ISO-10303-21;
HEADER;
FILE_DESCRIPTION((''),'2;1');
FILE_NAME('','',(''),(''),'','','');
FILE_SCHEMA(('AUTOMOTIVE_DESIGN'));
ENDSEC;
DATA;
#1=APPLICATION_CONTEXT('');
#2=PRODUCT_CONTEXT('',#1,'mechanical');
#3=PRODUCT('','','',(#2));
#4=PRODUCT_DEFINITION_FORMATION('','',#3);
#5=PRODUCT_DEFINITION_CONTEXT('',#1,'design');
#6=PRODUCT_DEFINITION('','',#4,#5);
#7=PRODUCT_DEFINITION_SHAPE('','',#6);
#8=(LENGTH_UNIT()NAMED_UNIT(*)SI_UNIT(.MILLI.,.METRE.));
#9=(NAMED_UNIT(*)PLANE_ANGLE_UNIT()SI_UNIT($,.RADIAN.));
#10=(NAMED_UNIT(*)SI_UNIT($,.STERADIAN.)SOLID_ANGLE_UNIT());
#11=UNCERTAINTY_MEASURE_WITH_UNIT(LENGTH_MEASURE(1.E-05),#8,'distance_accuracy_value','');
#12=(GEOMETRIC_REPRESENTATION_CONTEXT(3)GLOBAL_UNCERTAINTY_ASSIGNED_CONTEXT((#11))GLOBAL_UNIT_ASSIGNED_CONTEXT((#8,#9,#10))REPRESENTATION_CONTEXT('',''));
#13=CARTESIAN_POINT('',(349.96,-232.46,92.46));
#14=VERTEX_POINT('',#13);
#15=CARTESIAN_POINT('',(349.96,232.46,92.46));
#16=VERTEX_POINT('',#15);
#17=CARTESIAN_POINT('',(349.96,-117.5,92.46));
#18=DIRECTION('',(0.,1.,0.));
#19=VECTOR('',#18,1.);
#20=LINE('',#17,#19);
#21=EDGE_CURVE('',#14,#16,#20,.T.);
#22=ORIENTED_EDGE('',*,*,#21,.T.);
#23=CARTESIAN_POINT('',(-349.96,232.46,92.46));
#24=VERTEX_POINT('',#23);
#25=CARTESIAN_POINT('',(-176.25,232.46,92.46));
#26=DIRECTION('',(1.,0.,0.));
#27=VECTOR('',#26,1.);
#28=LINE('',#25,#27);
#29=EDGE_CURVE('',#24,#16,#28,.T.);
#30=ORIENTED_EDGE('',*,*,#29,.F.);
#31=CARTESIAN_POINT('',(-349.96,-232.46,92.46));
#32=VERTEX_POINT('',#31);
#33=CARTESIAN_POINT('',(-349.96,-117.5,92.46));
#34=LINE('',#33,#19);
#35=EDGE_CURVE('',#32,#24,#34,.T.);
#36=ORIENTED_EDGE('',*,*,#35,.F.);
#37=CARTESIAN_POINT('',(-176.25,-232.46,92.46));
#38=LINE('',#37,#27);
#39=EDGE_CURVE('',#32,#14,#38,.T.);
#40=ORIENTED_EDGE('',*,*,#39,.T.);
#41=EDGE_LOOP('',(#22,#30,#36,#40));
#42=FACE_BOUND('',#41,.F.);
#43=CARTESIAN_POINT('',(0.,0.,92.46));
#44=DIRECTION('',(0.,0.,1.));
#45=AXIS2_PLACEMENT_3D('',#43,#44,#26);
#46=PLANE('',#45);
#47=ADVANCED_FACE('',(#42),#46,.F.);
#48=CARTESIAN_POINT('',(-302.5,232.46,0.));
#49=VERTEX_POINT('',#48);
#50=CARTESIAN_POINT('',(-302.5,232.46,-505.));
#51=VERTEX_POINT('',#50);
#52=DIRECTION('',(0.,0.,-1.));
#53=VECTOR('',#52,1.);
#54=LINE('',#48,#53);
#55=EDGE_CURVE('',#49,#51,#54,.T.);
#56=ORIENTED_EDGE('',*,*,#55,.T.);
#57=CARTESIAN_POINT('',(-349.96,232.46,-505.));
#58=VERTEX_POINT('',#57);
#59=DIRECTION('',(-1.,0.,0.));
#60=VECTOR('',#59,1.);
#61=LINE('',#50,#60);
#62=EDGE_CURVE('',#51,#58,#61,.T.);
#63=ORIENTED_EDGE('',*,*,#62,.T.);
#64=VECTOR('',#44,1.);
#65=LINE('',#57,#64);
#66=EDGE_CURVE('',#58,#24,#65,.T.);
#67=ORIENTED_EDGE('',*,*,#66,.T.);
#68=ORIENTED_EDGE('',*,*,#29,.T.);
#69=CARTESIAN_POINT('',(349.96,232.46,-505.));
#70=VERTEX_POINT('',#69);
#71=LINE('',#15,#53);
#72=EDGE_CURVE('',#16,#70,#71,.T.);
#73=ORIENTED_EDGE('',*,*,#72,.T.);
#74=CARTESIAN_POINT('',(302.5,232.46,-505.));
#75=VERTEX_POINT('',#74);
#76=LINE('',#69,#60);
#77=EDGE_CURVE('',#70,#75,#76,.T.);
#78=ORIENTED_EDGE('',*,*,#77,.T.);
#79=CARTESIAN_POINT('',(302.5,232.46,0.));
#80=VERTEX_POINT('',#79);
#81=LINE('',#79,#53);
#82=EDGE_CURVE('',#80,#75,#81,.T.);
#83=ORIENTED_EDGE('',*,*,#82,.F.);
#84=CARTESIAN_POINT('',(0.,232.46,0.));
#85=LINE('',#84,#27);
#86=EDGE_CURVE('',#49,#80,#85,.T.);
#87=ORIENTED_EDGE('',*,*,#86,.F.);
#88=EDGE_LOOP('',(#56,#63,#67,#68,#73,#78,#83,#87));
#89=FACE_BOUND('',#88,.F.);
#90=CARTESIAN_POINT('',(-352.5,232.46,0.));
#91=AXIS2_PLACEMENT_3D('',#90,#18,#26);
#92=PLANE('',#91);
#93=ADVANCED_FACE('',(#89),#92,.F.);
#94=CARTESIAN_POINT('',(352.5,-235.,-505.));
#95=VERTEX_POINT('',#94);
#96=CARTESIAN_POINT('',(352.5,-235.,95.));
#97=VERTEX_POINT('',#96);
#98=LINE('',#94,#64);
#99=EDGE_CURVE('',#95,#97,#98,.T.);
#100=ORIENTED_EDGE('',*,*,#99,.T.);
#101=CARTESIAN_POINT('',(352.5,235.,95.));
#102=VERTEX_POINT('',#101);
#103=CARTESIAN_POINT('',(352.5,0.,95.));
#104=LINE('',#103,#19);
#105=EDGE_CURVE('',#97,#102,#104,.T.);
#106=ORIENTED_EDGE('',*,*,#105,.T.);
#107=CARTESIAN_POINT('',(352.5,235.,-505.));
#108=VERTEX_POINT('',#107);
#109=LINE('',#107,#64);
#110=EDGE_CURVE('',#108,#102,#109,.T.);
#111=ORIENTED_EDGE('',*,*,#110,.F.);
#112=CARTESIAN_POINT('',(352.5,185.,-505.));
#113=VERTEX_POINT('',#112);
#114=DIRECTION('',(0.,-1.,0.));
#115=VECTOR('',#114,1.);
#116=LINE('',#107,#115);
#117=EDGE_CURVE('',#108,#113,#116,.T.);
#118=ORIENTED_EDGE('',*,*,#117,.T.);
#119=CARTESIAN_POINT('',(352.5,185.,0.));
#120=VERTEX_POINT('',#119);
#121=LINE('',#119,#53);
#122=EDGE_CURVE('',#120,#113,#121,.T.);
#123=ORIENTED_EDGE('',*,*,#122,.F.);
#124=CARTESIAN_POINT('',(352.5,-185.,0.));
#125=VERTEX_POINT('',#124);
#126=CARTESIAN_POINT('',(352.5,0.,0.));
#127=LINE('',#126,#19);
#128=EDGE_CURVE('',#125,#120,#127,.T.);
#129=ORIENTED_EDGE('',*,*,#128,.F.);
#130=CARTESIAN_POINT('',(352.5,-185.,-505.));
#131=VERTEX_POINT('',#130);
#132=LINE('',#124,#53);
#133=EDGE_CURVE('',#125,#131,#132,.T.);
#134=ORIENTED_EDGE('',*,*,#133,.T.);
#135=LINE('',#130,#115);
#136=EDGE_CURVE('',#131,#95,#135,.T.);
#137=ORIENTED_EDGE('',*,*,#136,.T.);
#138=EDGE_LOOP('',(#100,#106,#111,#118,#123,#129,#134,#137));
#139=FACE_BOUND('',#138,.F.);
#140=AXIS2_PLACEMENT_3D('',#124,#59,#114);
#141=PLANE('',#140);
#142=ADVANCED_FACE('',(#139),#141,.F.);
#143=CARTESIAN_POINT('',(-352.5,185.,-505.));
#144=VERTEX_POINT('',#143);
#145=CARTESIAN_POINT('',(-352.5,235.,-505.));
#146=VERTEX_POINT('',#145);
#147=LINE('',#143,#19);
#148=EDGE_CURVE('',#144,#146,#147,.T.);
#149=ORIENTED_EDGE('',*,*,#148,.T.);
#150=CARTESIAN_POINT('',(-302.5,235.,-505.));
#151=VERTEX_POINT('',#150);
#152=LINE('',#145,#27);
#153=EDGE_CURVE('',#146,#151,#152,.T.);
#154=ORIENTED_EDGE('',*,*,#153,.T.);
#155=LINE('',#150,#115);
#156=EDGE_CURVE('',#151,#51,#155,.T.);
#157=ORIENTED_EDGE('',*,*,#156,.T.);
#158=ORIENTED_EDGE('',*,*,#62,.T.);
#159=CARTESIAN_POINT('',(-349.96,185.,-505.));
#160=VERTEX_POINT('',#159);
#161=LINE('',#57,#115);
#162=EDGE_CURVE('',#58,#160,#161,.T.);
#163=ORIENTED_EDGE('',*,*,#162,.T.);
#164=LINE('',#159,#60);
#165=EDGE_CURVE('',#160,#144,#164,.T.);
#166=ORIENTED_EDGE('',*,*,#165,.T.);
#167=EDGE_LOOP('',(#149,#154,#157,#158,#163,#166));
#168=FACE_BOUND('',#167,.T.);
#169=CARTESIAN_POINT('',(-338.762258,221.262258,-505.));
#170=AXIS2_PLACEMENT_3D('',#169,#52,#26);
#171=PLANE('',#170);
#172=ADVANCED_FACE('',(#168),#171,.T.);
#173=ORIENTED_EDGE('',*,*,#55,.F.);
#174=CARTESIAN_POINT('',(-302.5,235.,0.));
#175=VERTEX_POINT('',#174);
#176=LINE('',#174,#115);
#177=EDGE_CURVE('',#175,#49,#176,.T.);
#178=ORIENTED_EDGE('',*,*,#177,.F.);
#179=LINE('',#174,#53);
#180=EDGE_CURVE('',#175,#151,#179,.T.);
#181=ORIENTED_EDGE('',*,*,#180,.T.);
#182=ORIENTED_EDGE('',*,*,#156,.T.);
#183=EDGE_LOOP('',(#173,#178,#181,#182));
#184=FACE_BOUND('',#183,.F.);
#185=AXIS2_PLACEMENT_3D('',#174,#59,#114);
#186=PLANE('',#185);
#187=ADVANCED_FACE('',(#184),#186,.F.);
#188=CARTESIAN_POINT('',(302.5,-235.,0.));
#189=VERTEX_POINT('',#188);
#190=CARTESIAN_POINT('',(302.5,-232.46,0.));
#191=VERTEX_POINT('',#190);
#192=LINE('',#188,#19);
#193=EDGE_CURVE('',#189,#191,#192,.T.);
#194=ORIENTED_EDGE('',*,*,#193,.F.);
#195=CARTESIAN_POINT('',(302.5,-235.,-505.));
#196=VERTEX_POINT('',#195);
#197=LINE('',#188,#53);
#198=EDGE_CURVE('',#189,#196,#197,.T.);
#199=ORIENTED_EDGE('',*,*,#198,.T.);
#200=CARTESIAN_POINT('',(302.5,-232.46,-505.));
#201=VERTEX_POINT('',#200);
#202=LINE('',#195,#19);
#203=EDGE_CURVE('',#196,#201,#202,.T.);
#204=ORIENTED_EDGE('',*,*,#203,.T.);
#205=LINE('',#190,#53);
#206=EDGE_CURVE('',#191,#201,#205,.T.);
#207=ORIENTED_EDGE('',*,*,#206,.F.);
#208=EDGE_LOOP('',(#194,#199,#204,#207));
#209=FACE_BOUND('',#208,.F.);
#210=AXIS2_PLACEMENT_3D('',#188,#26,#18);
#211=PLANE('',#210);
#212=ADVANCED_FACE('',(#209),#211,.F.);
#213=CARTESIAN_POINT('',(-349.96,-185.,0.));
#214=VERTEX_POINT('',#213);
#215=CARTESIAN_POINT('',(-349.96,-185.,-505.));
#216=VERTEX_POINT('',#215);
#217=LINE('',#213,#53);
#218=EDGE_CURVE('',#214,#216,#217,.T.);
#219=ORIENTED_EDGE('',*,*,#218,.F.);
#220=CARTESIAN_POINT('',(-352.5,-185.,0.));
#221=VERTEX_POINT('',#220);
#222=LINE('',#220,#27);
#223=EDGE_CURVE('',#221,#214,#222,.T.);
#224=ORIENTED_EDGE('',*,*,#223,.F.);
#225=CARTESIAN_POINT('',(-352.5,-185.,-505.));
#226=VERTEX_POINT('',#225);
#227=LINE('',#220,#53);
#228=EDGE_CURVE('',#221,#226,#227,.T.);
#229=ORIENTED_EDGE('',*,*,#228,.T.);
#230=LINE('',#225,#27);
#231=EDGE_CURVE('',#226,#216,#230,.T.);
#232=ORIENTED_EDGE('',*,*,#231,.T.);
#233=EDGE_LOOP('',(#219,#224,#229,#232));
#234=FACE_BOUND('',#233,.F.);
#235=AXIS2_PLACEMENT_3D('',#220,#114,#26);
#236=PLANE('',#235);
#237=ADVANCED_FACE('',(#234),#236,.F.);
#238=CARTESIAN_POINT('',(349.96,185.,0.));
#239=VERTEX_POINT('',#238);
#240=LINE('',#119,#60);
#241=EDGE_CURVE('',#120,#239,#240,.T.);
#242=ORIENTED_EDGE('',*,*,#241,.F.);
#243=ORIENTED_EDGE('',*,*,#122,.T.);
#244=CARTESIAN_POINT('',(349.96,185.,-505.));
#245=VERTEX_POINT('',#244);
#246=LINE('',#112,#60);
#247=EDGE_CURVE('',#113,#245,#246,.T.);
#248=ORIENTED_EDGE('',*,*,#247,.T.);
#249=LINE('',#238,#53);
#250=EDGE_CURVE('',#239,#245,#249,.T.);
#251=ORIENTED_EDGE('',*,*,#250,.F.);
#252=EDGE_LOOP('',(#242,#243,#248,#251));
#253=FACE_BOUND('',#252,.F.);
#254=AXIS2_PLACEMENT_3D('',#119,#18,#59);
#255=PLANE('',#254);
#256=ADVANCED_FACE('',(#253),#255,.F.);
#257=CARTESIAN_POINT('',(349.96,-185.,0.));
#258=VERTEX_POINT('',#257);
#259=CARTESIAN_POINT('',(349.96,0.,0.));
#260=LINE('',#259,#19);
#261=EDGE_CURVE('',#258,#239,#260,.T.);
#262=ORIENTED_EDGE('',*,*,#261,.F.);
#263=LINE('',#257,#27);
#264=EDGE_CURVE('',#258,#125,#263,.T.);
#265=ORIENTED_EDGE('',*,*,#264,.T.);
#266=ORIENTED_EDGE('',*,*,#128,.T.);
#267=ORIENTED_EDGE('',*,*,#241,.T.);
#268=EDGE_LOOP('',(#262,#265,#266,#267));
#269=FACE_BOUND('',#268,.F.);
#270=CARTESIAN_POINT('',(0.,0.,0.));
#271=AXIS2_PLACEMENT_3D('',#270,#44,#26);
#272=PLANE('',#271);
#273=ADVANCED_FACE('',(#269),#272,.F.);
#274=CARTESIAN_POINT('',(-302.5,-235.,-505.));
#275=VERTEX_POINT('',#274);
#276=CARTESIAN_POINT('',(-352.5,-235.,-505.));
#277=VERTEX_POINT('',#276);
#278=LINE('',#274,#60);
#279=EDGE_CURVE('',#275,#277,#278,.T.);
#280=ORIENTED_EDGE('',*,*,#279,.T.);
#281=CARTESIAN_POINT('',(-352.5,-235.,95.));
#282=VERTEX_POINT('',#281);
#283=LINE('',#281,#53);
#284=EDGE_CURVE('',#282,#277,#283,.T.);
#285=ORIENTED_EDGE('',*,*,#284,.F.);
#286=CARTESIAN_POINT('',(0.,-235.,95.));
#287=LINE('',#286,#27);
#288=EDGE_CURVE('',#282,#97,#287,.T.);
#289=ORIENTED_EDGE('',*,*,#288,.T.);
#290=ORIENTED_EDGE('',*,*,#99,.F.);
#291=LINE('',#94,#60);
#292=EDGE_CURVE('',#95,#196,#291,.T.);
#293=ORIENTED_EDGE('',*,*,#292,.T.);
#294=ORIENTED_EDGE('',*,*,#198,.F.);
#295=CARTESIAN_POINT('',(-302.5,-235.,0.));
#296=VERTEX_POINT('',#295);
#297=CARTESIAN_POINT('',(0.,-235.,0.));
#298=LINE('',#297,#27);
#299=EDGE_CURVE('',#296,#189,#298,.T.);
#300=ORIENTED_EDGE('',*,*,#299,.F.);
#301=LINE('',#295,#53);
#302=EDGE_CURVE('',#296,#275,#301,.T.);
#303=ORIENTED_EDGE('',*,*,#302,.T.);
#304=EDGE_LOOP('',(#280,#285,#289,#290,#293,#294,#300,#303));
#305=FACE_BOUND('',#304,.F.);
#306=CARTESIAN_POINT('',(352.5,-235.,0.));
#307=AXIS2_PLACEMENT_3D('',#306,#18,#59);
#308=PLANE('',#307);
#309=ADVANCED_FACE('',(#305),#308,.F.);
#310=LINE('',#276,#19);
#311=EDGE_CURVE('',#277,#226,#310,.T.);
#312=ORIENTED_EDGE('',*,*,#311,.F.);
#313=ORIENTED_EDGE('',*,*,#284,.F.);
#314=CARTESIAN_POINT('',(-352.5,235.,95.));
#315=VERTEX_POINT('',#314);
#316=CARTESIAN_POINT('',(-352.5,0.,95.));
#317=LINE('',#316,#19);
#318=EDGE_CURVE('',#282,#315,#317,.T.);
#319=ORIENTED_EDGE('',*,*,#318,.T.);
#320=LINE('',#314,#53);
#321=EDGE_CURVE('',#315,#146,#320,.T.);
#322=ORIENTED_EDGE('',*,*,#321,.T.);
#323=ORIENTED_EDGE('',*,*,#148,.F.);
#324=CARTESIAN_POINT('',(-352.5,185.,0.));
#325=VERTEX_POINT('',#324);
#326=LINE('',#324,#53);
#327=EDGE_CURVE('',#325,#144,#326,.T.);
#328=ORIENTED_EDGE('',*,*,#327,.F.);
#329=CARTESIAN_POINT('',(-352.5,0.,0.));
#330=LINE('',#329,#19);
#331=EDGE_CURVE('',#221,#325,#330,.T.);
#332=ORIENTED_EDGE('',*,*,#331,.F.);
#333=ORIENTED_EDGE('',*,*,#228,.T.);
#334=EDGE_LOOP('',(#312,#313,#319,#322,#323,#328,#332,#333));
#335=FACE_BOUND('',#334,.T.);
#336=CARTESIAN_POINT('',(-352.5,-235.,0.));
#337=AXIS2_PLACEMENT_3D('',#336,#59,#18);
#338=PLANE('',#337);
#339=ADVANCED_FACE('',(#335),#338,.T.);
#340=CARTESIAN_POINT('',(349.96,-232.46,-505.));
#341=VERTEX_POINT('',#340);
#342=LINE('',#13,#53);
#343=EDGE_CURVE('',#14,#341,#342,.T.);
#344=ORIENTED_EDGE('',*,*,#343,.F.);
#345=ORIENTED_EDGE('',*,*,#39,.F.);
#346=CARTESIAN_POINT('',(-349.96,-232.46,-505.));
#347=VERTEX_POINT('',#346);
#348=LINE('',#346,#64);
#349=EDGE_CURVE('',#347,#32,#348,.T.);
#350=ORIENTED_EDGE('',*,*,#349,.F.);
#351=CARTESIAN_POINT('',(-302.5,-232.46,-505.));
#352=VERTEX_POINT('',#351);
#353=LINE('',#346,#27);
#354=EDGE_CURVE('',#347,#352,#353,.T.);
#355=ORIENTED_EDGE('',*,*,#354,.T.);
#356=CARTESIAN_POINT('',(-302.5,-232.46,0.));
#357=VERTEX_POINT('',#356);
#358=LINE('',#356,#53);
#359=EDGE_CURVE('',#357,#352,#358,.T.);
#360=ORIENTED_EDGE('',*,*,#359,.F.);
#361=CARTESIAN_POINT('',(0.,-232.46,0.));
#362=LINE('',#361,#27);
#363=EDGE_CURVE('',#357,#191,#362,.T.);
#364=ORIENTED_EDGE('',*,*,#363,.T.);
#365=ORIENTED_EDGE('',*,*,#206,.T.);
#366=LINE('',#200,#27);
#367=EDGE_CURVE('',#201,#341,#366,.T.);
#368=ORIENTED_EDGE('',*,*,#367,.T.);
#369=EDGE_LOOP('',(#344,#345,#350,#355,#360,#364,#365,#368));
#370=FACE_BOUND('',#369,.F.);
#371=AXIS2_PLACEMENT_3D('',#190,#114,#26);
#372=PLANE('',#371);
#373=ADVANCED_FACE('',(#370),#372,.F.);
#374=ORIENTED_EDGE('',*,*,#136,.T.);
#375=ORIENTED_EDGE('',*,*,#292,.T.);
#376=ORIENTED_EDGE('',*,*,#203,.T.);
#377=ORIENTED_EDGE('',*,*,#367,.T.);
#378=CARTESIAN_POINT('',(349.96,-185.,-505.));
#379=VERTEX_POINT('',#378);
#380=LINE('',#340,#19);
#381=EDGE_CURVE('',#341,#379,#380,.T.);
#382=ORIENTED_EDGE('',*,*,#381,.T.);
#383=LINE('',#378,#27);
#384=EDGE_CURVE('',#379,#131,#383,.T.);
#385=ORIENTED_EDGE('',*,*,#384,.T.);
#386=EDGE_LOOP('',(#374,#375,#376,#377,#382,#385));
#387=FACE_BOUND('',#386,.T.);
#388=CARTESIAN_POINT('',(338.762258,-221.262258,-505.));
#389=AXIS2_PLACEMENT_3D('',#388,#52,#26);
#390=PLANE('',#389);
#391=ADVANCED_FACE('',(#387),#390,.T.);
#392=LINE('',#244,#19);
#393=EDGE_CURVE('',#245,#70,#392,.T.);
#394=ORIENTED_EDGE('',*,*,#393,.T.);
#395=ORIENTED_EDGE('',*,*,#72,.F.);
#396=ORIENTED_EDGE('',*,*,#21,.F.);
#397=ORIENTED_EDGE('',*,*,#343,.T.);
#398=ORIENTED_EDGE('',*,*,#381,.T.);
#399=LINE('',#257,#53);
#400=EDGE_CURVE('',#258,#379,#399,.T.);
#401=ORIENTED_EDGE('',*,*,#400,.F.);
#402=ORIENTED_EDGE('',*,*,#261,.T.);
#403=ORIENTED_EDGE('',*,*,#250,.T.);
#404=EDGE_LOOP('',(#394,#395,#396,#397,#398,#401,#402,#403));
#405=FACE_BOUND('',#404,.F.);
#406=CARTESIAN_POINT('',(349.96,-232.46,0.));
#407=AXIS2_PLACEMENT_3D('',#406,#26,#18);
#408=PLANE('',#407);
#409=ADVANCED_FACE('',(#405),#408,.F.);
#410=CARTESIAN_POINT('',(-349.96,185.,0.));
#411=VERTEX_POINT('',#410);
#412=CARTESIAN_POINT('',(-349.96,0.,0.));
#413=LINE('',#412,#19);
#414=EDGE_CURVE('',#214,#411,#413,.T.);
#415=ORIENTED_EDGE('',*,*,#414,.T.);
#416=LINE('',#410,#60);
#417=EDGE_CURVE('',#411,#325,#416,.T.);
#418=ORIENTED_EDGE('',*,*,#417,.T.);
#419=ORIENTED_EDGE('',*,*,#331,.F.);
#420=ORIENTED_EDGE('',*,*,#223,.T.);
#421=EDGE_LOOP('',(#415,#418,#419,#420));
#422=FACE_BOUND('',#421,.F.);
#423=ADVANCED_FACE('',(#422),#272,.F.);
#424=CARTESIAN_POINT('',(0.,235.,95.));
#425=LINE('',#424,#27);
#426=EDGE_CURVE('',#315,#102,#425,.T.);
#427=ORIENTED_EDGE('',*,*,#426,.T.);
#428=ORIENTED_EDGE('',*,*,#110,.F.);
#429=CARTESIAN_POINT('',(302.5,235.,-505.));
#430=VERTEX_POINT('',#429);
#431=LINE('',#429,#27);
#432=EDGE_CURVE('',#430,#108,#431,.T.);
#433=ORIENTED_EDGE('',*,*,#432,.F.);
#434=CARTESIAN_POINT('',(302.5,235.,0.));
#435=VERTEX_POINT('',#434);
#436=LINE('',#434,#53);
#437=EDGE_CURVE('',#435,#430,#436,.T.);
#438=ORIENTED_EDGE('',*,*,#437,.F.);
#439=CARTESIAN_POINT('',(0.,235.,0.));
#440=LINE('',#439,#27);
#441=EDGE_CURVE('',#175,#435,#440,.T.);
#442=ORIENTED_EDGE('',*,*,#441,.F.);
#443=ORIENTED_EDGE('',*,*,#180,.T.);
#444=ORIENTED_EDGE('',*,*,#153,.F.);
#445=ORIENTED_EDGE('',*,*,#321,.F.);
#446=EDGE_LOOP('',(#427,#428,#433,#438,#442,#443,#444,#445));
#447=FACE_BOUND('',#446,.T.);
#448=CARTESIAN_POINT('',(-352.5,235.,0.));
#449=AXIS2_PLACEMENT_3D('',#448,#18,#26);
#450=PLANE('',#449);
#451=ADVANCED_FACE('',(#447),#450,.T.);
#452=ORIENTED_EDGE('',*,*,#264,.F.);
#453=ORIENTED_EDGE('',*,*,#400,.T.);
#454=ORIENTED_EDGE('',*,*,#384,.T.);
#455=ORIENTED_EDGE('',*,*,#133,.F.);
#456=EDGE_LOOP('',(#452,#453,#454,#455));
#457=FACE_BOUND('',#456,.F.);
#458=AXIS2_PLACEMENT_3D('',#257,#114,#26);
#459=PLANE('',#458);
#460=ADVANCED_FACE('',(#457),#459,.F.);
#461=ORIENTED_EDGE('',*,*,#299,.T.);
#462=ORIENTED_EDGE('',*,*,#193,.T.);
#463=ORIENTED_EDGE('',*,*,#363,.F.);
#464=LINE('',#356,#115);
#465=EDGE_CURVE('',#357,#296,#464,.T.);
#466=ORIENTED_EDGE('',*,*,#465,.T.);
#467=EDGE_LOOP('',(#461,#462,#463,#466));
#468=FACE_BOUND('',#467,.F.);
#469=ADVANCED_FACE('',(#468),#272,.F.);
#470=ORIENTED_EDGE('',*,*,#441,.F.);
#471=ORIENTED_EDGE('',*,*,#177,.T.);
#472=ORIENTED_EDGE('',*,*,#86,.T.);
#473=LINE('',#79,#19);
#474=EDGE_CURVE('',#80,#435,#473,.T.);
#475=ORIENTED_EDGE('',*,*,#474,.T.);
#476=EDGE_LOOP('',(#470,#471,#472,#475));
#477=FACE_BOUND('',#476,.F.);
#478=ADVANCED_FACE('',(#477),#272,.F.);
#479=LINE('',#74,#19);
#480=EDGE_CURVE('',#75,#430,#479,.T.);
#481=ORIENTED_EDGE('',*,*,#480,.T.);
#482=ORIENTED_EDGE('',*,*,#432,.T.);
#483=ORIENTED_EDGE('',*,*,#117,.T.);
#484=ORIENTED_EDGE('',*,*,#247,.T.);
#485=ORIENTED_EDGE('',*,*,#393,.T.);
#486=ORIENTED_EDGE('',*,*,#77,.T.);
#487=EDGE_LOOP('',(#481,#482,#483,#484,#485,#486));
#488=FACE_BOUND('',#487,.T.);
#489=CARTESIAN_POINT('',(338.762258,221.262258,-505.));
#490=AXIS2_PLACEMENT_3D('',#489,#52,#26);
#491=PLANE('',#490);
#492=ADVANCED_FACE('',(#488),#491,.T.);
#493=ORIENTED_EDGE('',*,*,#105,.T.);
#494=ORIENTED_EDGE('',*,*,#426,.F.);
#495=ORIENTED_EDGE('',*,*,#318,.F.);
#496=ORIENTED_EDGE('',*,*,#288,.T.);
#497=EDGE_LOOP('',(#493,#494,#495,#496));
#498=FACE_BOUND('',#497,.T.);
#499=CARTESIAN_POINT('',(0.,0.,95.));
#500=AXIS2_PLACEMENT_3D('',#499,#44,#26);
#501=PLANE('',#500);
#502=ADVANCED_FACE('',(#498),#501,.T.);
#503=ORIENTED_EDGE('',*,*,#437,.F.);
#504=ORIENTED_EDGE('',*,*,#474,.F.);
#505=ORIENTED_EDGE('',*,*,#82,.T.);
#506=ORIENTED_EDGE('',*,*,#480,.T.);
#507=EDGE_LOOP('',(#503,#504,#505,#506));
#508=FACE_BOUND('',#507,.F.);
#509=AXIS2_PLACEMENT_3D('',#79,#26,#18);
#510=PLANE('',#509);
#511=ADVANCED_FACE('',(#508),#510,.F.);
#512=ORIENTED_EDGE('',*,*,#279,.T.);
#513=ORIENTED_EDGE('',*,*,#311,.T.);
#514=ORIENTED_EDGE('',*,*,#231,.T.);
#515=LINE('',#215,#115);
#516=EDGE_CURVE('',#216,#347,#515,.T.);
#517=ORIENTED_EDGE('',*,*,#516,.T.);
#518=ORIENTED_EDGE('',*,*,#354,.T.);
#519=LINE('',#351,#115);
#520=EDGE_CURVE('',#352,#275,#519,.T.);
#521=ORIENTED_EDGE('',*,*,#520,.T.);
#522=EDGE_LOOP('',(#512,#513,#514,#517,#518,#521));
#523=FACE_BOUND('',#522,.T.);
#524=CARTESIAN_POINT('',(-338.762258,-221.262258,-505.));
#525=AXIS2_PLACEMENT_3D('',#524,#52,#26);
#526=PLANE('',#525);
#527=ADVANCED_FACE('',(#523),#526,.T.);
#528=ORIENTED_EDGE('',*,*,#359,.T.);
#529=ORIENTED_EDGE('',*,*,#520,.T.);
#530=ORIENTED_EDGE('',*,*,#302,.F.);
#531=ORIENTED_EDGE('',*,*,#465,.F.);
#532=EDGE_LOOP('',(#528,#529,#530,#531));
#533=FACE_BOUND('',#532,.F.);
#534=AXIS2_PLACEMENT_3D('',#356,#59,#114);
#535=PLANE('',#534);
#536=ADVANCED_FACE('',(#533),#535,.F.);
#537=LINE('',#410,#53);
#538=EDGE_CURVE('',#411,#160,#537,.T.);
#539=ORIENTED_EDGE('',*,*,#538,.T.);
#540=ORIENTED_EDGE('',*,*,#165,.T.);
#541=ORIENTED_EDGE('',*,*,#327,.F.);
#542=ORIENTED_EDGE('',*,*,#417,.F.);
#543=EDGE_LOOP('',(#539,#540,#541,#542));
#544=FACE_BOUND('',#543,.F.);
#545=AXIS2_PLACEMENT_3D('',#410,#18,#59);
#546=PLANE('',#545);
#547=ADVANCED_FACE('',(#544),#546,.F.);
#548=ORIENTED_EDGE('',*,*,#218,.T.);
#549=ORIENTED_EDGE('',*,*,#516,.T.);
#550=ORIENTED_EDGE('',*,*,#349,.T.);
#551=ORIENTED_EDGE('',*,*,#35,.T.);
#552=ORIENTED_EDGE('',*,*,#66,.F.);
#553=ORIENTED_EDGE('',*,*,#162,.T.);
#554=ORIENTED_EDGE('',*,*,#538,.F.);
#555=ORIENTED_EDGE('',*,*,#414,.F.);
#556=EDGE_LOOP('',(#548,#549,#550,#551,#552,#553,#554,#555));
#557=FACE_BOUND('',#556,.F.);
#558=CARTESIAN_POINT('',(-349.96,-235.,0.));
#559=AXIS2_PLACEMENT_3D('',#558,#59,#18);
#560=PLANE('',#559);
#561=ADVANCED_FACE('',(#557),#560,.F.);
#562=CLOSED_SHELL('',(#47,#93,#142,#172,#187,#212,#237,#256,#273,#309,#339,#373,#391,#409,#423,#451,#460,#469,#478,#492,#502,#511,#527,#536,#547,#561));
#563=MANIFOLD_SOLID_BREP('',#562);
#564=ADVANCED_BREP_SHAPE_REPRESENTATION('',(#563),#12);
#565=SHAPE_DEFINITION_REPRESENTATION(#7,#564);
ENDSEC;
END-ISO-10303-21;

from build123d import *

# Parameters (mm, degrees)
F0_W     = 705
F0_H     = 470
F1_DEPTH = 95
F2_T     = -2.54
F4_DEPTH = 505


with BuildPart() as f1:
    # F0 (on Top) → F1 (new body)
    with BuildSketch(Plane.XY):
        Rectangle(F0_W, F0_H)
    extrude(amount=F1_DEPTH)

    # F2
    f2_openings = [f1.faces().sort_by_distance(p)[0] for p in [
        (0, 0, 0),
    ]]
    offset(amount=F2_T, openings=f2_openings)

    # F3 (on face) → F4 (join)
    with BuildSketch(Plane(origin=(0, 0, 0), x_dir=(1, 0, 0), z_dir=(0, 0, -1))):
        Polygon((352.5, 235), (302.5, 235), (302.5, 232.46), (349.96, 232.46), (349.96, 185), (352.5, 185), align=None)
        Polygon((-352.5, 235), (-352.5, 185), (-349.96, 185), (-349.96, 232.46), (-302.5, 232.46), (-302.5, 235), align=None)
        Polygon((-352.5, -185), (-352.5, -235), (-302.5, -235), (-302.5, -232.46), (-349.96, -232.46), (-349.96, -185), align=None)
        Polygon((302.5, -232.46), (302.5, -235), (352.5, -235), (352.5, -185), (349.96, -185), (349.96, -232.46), align=None)
    extrude(amount=F4_DEPTH)


solid = f1.part
